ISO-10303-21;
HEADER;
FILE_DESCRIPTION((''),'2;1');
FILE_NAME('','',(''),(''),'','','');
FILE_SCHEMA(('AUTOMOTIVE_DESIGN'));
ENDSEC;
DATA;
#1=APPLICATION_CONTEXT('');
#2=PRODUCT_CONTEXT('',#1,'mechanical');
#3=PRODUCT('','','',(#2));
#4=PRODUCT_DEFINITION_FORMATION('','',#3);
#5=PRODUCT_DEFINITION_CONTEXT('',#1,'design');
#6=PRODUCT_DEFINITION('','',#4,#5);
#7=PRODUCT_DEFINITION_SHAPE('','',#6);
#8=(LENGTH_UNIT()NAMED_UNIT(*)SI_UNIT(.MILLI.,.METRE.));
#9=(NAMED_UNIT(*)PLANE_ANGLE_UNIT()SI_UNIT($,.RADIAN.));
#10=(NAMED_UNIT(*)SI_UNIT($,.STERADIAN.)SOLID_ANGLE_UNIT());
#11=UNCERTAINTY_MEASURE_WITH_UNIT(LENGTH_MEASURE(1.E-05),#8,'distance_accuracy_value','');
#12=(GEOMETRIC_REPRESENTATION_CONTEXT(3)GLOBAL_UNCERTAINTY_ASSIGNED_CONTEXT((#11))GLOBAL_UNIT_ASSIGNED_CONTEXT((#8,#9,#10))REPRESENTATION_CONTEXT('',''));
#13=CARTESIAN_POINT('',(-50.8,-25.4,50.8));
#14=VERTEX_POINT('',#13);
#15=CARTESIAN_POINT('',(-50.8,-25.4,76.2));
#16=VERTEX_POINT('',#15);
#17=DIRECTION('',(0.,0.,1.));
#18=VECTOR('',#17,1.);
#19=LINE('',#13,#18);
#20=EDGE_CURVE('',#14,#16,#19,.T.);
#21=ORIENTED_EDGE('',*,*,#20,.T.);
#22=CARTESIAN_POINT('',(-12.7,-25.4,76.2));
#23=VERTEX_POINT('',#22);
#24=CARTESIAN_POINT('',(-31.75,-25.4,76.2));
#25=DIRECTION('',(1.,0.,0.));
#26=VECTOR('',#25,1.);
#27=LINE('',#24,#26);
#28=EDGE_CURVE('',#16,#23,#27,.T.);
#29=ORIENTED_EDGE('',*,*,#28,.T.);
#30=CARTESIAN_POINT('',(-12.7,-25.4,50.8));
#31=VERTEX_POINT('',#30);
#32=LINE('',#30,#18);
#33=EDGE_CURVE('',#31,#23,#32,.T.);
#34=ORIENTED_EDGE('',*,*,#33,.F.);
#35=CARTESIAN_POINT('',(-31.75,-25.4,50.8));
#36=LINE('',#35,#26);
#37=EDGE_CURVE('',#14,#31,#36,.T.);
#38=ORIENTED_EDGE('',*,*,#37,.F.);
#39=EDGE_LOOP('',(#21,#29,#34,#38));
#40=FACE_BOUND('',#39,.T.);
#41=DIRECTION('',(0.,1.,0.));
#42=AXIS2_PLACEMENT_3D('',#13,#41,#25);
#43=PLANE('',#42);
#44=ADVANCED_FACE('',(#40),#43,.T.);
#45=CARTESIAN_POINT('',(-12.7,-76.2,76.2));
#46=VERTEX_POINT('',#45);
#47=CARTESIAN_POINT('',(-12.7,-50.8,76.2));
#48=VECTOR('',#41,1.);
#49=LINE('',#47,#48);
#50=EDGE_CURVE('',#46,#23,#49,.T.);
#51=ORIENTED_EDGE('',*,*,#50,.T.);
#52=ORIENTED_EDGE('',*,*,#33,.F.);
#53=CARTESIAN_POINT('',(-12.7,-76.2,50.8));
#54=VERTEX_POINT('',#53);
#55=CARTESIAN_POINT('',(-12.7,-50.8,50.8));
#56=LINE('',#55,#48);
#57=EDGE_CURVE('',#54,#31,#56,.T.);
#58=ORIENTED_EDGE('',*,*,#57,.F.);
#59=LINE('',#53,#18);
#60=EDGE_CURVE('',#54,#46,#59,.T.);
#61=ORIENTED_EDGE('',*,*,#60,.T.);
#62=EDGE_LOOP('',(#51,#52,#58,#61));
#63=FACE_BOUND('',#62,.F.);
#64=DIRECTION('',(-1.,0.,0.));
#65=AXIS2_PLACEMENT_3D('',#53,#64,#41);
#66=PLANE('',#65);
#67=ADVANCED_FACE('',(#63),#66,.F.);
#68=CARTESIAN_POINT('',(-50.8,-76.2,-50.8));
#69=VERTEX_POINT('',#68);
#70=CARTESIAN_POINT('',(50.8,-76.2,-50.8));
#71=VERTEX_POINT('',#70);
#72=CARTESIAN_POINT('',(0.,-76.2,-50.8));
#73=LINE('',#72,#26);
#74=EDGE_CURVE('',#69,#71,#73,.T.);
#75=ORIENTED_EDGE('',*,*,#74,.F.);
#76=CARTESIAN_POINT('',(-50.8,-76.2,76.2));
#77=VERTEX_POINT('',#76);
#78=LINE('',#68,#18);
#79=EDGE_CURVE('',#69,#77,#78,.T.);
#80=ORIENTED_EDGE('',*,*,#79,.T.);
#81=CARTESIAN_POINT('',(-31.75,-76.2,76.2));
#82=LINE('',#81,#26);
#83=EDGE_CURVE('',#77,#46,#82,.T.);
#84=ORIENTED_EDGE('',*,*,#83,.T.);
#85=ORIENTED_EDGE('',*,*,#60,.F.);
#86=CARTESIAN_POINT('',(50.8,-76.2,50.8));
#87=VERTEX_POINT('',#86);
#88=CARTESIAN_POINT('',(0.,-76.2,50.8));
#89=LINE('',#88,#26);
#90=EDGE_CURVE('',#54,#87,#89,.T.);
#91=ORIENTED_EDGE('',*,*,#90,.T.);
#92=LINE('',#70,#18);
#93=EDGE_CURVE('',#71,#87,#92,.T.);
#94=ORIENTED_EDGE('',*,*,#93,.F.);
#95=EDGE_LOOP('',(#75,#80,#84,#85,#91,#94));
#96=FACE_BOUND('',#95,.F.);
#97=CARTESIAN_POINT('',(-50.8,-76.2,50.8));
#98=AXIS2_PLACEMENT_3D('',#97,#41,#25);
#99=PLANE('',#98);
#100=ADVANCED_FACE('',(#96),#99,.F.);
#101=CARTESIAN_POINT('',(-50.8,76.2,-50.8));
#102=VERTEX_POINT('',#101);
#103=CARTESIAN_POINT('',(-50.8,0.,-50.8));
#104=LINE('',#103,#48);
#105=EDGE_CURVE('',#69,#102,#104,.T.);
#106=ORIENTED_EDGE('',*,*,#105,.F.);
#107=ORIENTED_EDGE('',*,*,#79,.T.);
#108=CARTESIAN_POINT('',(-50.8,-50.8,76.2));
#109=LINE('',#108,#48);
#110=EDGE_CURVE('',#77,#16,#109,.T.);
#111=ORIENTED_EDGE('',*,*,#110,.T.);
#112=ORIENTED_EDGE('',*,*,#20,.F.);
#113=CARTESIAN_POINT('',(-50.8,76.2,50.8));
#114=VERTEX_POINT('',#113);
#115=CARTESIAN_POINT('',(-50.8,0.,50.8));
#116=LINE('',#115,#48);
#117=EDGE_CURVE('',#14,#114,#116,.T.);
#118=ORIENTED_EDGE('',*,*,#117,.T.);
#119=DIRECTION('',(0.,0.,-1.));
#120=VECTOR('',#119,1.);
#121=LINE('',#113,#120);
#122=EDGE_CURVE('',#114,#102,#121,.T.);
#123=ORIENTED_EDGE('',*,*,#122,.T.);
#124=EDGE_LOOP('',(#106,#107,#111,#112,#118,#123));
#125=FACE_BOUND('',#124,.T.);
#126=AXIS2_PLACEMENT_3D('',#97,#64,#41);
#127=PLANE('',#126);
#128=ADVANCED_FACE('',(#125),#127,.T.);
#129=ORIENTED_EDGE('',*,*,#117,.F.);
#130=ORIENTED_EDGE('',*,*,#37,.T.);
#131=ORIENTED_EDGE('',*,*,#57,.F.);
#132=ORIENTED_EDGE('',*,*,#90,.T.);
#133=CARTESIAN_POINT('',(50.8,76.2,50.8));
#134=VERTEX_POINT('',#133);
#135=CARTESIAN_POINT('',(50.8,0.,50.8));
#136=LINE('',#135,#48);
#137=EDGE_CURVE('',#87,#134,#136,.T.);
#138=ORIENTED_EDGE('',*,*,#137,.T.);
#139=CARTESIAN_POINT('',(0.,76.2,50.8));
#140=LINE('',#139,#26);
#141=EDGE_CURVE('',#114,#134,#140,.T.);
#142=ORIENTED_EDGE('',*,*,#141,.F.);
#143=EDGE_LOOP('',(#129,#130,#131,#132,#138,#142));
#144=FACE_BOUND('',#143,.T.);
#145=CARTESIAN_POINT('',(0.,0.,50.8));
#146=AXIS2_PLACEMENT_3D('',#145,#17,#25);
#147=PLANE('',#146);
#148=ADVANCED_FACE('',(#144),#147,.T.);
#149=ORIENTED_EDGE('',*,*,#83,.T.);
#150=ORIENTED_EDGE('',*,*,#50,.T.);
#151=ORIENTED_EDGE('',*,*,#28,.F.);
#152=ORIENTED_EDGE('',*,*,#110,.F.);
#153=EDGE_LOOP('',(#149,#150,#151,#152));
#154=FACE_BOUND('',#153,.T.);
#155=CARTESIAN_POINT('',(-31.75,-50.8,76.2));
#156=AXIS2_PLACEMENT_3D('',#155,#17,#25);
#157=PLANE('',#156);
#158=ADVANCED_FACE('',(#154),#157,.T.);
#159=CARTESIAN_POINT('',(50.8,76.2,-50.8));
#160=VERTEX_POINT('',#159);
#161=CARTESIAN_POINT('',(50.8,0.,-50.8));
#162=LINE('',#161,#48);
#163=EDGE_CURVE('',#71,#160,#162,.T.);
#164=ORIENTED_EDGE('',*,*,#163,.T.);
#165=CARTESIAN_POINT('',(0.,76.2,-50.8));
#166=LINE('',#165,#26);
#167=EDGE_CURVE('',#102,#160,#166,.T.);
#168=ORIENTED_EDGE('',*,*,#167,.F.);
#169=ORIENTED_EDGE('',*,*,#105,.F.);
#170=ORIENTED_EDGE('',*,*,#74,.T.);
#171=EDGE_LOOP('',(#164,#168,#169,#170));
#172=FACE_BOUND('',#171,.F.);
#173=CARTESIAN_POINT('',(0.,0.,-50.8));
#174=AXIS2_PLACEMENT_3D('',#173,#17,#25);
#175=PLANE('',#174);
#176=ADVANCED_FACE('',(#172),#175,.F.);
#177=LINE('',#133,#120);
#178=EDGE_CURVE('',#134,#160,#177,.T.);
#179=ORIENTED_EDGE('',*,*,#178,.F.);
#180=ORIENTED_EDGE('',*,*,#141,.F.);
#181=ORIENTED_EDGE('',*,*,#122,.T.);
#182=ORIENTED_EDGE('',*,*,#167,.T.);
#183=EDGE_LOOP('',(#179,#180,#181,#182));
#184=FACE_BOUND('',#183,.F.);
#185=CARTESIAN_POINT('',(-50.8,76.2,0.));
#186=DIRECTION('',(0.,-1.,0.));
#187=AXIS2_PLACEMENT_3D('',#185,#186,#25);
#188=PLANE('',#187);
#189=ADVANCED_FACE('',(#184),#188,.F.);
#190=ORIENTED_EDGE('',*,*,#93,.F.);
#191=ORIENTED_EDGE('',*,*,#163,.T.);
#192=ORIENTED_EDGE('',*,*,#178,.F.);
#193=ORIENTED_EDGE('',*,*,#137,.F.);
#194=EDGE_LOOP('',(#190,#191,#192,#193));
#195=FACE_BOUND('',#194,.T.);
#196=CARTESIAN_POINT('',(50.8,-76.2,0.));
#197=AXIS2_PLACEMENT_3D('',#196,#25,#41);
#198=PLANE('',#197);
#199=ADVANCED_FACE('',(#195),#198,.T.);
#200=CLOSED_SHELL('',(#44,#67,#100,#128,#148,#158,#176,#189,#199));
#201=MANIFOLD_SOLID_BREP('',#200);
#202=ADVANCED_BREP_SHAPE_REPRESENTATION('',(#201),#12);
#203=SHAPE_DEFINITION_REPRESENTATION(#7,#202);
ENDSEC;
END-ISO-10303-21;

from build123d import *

# Parameters (mm, degrees)
F0_W     = 101.6
F0_H     = 152.4
F1_DEPTH = 50.8
F2_W     = 38.1
F2_H     = 50.8
F3_DEPTH = 25.4


with BuildPart() as f1:
    # F0 (on Top) → F1 (new body, symmetric)
    with BuildSketch(Plane.XY):
        Rectangle(F0_W, F0_H)
    extrude(amount=F1_DEPTH, both=True)

    # F2 (on face) → F3 (join)
    with BuildSketch(Plane.XY.offset(50.8)):
        with Locations((-31.75, -50.8)):
            Rectangle(F2_W, F2_H)
    extrude(amount=F3_DEPTH)


solid = f1.part
